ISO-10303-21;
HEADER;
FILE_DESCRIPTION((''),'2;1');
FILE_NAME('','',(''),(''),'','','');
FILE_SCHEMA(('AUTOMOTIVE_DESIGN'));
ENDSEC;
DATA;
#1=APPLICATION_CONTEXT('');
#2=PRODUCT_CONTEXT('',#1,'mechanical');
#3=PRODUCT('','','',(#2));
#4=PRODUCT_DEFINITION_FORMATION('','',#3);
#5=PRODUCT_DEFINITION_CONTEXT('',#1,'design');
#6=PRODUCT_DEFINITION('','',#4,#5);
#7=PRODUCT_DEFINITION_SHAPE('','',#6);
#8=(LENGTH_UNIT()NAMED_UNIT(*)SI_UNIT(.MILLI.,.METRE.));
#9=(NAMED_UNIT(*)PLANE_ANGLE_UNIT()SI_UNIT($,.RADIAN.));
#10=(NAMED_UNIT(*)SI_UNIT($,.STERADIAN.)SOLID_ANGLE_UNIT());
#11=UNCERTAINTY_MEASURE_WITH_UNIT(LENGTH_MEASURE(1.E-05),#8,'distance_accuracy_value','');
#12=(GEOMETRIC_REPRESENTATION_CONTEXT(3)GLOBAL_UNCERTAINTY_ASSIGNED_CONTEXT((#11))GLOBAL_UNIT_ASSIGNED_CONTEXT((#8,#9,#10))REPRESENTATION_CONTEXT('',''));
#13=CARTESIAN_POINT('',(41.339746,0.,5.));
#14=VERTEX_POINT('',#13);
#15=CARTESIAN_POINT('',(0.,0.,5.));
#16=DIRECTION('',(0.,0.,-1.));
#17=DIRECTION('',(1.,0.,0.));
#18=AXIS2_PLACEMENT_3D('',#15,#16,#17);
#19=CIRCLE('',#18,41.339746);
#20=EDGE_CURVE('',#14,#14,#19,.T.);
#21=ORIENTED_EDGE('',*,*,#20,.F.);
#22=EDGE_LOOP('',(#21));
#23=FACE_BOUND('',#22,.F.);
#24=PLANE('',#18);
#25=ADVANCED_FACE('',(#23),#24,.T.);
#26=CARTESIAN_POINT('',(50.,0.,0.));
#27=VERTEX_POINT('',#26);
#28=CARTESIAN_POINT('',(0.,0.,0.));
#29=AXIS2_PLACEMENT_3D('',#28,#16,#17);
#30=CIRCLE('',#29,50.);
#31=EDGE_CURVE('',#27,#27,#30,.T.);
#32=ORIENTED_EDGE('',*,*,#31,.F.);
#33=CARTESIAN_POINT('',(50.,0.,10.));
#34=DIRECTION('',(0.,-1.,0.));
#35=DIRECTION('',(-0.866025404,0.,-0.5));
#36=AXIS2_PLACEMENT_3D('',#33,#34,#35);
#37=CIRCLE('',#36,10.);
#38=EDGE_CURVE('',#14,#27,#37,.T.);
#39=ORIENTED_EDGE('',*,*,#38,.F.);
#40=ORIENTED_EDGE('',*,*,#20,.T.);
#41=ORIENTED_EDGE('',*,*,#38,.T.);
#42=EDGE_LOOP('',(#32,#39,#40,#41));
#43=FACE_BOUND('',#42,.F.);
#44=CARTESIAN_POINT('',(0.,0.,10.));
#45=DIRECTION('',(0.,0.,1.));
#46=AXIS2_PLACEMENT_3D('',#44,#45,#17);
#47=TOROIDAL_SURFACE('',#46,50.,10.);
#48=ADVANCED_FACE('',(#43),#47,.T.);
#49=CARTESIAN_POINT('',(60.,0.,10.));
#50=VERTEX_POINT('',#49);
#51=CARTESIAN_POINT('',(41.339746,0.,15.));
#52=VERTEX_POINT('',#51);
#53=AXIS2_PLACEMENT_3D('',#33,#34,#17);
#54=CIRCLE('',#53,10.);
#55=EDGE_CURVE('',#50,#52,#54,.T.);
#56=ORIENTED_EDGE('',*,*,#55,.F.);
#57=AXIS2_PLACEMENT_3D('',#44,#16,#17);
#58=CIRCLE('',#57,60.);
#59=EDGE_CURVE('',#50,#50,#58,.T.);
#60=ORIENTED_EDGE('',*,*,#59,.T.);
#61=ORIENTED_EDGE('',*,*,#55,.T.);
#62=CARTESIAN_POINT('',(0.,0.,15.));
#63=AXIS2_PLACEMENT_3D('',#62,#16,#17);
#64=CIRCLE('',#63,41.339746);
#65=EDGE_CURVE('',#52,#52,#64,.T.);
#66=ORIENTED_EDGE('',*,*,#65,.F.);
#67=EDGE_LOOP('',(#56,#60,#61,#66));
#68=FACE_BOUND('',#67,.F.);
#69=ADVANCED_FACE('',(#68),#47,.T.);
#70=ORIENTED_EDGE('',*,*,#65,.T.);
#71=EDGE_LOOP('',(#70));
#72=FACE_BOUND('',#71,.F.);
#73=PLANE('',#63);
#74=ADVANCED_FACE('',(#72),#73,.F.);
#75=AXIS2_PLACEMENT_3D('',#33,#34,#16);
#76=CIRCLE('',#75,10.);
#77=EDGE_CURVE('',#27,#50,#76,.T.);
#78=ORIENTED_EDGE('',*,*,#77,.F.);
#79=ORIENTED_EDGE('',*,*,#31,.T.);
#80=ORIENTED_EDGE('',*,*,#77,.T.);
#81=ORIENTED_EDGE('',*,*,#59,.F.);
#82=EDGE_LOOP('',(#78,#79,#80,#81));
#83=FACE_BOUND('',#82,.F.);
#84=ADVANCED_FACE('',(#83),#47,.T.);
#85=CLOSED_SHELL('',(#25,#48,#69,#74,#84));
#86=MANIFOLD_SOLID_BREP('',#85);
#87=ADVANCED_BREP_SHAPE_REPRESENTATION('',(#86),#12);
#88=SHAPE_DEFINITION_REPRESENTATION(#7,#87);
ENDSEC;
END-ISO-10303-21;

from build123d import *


with BuildPart() as f1:
    # F0 (on Front) → F1 (revolve)
    with BuildSketch(Plane.XZ):
        with BuildLine():
            Line((0, 10), (0, 5))
            Line((0, 5), (41.3397459622, 5))
            ThreePointArc((41.3397459622, 5), (40.3407417371, 7.411809549), (40, 10))
            Line((40, 10), (0, 10))
        make_face()
        with BuildLine():
            Line((0, 15), (0, 10))
            Line((0, 10), (40, 10))
            ThreePointArc((40, 10), (40.3407417371, 12.588190451), (41.3397459622, 15))
            Line((41.3397459622, 15), (0, 15))
        make_face()
        with BuildLine():
            Line((41.3397459622, 5), (50, 5))
            Line((50, 5), (50, 10))
            Line((50, 10), (40, 10))
            ThreePointArc((40, 10), (40.3407417371, 7.411809549), (41.3397459622, 5))
        make_face()
        with BuildLine():
            Line((40, 10), (50, 10))
            Line((50, 10), (50, 15))
            Line((50, 15), (41.3397459622, 15))
            ThreePointArc((41.3397459622, 15), (40.3407417371, 12.588190451), (40, 10))
        make_face()
        with BuildLine():
            Line((50, 5), (50, 0))
            ThreePointArc((50, 0), (57.0710678119, 2.9289321881), (60, 10))
            ThreePointArc((60, 10), (52.588190451, 19.6592582629), (41.3397459622, 15))
            Line((41.3397459622, 15), (50, 15))
            Line((50, 15), (50, 10))
            Line((50, 10), (50, 5))
        make_face()
        with BuildLine():
            ThreePointArc((41.3397459622, 5), (45, 1.3397459622), (50, 0))
            Line((50, 0), (50, 5))
            Line((50, 5), (41.3397459622, 5))
        make_face()
    revolve(axis=Axis((0, 0, 10), (0, 0, -1)))


solid = f1.part
